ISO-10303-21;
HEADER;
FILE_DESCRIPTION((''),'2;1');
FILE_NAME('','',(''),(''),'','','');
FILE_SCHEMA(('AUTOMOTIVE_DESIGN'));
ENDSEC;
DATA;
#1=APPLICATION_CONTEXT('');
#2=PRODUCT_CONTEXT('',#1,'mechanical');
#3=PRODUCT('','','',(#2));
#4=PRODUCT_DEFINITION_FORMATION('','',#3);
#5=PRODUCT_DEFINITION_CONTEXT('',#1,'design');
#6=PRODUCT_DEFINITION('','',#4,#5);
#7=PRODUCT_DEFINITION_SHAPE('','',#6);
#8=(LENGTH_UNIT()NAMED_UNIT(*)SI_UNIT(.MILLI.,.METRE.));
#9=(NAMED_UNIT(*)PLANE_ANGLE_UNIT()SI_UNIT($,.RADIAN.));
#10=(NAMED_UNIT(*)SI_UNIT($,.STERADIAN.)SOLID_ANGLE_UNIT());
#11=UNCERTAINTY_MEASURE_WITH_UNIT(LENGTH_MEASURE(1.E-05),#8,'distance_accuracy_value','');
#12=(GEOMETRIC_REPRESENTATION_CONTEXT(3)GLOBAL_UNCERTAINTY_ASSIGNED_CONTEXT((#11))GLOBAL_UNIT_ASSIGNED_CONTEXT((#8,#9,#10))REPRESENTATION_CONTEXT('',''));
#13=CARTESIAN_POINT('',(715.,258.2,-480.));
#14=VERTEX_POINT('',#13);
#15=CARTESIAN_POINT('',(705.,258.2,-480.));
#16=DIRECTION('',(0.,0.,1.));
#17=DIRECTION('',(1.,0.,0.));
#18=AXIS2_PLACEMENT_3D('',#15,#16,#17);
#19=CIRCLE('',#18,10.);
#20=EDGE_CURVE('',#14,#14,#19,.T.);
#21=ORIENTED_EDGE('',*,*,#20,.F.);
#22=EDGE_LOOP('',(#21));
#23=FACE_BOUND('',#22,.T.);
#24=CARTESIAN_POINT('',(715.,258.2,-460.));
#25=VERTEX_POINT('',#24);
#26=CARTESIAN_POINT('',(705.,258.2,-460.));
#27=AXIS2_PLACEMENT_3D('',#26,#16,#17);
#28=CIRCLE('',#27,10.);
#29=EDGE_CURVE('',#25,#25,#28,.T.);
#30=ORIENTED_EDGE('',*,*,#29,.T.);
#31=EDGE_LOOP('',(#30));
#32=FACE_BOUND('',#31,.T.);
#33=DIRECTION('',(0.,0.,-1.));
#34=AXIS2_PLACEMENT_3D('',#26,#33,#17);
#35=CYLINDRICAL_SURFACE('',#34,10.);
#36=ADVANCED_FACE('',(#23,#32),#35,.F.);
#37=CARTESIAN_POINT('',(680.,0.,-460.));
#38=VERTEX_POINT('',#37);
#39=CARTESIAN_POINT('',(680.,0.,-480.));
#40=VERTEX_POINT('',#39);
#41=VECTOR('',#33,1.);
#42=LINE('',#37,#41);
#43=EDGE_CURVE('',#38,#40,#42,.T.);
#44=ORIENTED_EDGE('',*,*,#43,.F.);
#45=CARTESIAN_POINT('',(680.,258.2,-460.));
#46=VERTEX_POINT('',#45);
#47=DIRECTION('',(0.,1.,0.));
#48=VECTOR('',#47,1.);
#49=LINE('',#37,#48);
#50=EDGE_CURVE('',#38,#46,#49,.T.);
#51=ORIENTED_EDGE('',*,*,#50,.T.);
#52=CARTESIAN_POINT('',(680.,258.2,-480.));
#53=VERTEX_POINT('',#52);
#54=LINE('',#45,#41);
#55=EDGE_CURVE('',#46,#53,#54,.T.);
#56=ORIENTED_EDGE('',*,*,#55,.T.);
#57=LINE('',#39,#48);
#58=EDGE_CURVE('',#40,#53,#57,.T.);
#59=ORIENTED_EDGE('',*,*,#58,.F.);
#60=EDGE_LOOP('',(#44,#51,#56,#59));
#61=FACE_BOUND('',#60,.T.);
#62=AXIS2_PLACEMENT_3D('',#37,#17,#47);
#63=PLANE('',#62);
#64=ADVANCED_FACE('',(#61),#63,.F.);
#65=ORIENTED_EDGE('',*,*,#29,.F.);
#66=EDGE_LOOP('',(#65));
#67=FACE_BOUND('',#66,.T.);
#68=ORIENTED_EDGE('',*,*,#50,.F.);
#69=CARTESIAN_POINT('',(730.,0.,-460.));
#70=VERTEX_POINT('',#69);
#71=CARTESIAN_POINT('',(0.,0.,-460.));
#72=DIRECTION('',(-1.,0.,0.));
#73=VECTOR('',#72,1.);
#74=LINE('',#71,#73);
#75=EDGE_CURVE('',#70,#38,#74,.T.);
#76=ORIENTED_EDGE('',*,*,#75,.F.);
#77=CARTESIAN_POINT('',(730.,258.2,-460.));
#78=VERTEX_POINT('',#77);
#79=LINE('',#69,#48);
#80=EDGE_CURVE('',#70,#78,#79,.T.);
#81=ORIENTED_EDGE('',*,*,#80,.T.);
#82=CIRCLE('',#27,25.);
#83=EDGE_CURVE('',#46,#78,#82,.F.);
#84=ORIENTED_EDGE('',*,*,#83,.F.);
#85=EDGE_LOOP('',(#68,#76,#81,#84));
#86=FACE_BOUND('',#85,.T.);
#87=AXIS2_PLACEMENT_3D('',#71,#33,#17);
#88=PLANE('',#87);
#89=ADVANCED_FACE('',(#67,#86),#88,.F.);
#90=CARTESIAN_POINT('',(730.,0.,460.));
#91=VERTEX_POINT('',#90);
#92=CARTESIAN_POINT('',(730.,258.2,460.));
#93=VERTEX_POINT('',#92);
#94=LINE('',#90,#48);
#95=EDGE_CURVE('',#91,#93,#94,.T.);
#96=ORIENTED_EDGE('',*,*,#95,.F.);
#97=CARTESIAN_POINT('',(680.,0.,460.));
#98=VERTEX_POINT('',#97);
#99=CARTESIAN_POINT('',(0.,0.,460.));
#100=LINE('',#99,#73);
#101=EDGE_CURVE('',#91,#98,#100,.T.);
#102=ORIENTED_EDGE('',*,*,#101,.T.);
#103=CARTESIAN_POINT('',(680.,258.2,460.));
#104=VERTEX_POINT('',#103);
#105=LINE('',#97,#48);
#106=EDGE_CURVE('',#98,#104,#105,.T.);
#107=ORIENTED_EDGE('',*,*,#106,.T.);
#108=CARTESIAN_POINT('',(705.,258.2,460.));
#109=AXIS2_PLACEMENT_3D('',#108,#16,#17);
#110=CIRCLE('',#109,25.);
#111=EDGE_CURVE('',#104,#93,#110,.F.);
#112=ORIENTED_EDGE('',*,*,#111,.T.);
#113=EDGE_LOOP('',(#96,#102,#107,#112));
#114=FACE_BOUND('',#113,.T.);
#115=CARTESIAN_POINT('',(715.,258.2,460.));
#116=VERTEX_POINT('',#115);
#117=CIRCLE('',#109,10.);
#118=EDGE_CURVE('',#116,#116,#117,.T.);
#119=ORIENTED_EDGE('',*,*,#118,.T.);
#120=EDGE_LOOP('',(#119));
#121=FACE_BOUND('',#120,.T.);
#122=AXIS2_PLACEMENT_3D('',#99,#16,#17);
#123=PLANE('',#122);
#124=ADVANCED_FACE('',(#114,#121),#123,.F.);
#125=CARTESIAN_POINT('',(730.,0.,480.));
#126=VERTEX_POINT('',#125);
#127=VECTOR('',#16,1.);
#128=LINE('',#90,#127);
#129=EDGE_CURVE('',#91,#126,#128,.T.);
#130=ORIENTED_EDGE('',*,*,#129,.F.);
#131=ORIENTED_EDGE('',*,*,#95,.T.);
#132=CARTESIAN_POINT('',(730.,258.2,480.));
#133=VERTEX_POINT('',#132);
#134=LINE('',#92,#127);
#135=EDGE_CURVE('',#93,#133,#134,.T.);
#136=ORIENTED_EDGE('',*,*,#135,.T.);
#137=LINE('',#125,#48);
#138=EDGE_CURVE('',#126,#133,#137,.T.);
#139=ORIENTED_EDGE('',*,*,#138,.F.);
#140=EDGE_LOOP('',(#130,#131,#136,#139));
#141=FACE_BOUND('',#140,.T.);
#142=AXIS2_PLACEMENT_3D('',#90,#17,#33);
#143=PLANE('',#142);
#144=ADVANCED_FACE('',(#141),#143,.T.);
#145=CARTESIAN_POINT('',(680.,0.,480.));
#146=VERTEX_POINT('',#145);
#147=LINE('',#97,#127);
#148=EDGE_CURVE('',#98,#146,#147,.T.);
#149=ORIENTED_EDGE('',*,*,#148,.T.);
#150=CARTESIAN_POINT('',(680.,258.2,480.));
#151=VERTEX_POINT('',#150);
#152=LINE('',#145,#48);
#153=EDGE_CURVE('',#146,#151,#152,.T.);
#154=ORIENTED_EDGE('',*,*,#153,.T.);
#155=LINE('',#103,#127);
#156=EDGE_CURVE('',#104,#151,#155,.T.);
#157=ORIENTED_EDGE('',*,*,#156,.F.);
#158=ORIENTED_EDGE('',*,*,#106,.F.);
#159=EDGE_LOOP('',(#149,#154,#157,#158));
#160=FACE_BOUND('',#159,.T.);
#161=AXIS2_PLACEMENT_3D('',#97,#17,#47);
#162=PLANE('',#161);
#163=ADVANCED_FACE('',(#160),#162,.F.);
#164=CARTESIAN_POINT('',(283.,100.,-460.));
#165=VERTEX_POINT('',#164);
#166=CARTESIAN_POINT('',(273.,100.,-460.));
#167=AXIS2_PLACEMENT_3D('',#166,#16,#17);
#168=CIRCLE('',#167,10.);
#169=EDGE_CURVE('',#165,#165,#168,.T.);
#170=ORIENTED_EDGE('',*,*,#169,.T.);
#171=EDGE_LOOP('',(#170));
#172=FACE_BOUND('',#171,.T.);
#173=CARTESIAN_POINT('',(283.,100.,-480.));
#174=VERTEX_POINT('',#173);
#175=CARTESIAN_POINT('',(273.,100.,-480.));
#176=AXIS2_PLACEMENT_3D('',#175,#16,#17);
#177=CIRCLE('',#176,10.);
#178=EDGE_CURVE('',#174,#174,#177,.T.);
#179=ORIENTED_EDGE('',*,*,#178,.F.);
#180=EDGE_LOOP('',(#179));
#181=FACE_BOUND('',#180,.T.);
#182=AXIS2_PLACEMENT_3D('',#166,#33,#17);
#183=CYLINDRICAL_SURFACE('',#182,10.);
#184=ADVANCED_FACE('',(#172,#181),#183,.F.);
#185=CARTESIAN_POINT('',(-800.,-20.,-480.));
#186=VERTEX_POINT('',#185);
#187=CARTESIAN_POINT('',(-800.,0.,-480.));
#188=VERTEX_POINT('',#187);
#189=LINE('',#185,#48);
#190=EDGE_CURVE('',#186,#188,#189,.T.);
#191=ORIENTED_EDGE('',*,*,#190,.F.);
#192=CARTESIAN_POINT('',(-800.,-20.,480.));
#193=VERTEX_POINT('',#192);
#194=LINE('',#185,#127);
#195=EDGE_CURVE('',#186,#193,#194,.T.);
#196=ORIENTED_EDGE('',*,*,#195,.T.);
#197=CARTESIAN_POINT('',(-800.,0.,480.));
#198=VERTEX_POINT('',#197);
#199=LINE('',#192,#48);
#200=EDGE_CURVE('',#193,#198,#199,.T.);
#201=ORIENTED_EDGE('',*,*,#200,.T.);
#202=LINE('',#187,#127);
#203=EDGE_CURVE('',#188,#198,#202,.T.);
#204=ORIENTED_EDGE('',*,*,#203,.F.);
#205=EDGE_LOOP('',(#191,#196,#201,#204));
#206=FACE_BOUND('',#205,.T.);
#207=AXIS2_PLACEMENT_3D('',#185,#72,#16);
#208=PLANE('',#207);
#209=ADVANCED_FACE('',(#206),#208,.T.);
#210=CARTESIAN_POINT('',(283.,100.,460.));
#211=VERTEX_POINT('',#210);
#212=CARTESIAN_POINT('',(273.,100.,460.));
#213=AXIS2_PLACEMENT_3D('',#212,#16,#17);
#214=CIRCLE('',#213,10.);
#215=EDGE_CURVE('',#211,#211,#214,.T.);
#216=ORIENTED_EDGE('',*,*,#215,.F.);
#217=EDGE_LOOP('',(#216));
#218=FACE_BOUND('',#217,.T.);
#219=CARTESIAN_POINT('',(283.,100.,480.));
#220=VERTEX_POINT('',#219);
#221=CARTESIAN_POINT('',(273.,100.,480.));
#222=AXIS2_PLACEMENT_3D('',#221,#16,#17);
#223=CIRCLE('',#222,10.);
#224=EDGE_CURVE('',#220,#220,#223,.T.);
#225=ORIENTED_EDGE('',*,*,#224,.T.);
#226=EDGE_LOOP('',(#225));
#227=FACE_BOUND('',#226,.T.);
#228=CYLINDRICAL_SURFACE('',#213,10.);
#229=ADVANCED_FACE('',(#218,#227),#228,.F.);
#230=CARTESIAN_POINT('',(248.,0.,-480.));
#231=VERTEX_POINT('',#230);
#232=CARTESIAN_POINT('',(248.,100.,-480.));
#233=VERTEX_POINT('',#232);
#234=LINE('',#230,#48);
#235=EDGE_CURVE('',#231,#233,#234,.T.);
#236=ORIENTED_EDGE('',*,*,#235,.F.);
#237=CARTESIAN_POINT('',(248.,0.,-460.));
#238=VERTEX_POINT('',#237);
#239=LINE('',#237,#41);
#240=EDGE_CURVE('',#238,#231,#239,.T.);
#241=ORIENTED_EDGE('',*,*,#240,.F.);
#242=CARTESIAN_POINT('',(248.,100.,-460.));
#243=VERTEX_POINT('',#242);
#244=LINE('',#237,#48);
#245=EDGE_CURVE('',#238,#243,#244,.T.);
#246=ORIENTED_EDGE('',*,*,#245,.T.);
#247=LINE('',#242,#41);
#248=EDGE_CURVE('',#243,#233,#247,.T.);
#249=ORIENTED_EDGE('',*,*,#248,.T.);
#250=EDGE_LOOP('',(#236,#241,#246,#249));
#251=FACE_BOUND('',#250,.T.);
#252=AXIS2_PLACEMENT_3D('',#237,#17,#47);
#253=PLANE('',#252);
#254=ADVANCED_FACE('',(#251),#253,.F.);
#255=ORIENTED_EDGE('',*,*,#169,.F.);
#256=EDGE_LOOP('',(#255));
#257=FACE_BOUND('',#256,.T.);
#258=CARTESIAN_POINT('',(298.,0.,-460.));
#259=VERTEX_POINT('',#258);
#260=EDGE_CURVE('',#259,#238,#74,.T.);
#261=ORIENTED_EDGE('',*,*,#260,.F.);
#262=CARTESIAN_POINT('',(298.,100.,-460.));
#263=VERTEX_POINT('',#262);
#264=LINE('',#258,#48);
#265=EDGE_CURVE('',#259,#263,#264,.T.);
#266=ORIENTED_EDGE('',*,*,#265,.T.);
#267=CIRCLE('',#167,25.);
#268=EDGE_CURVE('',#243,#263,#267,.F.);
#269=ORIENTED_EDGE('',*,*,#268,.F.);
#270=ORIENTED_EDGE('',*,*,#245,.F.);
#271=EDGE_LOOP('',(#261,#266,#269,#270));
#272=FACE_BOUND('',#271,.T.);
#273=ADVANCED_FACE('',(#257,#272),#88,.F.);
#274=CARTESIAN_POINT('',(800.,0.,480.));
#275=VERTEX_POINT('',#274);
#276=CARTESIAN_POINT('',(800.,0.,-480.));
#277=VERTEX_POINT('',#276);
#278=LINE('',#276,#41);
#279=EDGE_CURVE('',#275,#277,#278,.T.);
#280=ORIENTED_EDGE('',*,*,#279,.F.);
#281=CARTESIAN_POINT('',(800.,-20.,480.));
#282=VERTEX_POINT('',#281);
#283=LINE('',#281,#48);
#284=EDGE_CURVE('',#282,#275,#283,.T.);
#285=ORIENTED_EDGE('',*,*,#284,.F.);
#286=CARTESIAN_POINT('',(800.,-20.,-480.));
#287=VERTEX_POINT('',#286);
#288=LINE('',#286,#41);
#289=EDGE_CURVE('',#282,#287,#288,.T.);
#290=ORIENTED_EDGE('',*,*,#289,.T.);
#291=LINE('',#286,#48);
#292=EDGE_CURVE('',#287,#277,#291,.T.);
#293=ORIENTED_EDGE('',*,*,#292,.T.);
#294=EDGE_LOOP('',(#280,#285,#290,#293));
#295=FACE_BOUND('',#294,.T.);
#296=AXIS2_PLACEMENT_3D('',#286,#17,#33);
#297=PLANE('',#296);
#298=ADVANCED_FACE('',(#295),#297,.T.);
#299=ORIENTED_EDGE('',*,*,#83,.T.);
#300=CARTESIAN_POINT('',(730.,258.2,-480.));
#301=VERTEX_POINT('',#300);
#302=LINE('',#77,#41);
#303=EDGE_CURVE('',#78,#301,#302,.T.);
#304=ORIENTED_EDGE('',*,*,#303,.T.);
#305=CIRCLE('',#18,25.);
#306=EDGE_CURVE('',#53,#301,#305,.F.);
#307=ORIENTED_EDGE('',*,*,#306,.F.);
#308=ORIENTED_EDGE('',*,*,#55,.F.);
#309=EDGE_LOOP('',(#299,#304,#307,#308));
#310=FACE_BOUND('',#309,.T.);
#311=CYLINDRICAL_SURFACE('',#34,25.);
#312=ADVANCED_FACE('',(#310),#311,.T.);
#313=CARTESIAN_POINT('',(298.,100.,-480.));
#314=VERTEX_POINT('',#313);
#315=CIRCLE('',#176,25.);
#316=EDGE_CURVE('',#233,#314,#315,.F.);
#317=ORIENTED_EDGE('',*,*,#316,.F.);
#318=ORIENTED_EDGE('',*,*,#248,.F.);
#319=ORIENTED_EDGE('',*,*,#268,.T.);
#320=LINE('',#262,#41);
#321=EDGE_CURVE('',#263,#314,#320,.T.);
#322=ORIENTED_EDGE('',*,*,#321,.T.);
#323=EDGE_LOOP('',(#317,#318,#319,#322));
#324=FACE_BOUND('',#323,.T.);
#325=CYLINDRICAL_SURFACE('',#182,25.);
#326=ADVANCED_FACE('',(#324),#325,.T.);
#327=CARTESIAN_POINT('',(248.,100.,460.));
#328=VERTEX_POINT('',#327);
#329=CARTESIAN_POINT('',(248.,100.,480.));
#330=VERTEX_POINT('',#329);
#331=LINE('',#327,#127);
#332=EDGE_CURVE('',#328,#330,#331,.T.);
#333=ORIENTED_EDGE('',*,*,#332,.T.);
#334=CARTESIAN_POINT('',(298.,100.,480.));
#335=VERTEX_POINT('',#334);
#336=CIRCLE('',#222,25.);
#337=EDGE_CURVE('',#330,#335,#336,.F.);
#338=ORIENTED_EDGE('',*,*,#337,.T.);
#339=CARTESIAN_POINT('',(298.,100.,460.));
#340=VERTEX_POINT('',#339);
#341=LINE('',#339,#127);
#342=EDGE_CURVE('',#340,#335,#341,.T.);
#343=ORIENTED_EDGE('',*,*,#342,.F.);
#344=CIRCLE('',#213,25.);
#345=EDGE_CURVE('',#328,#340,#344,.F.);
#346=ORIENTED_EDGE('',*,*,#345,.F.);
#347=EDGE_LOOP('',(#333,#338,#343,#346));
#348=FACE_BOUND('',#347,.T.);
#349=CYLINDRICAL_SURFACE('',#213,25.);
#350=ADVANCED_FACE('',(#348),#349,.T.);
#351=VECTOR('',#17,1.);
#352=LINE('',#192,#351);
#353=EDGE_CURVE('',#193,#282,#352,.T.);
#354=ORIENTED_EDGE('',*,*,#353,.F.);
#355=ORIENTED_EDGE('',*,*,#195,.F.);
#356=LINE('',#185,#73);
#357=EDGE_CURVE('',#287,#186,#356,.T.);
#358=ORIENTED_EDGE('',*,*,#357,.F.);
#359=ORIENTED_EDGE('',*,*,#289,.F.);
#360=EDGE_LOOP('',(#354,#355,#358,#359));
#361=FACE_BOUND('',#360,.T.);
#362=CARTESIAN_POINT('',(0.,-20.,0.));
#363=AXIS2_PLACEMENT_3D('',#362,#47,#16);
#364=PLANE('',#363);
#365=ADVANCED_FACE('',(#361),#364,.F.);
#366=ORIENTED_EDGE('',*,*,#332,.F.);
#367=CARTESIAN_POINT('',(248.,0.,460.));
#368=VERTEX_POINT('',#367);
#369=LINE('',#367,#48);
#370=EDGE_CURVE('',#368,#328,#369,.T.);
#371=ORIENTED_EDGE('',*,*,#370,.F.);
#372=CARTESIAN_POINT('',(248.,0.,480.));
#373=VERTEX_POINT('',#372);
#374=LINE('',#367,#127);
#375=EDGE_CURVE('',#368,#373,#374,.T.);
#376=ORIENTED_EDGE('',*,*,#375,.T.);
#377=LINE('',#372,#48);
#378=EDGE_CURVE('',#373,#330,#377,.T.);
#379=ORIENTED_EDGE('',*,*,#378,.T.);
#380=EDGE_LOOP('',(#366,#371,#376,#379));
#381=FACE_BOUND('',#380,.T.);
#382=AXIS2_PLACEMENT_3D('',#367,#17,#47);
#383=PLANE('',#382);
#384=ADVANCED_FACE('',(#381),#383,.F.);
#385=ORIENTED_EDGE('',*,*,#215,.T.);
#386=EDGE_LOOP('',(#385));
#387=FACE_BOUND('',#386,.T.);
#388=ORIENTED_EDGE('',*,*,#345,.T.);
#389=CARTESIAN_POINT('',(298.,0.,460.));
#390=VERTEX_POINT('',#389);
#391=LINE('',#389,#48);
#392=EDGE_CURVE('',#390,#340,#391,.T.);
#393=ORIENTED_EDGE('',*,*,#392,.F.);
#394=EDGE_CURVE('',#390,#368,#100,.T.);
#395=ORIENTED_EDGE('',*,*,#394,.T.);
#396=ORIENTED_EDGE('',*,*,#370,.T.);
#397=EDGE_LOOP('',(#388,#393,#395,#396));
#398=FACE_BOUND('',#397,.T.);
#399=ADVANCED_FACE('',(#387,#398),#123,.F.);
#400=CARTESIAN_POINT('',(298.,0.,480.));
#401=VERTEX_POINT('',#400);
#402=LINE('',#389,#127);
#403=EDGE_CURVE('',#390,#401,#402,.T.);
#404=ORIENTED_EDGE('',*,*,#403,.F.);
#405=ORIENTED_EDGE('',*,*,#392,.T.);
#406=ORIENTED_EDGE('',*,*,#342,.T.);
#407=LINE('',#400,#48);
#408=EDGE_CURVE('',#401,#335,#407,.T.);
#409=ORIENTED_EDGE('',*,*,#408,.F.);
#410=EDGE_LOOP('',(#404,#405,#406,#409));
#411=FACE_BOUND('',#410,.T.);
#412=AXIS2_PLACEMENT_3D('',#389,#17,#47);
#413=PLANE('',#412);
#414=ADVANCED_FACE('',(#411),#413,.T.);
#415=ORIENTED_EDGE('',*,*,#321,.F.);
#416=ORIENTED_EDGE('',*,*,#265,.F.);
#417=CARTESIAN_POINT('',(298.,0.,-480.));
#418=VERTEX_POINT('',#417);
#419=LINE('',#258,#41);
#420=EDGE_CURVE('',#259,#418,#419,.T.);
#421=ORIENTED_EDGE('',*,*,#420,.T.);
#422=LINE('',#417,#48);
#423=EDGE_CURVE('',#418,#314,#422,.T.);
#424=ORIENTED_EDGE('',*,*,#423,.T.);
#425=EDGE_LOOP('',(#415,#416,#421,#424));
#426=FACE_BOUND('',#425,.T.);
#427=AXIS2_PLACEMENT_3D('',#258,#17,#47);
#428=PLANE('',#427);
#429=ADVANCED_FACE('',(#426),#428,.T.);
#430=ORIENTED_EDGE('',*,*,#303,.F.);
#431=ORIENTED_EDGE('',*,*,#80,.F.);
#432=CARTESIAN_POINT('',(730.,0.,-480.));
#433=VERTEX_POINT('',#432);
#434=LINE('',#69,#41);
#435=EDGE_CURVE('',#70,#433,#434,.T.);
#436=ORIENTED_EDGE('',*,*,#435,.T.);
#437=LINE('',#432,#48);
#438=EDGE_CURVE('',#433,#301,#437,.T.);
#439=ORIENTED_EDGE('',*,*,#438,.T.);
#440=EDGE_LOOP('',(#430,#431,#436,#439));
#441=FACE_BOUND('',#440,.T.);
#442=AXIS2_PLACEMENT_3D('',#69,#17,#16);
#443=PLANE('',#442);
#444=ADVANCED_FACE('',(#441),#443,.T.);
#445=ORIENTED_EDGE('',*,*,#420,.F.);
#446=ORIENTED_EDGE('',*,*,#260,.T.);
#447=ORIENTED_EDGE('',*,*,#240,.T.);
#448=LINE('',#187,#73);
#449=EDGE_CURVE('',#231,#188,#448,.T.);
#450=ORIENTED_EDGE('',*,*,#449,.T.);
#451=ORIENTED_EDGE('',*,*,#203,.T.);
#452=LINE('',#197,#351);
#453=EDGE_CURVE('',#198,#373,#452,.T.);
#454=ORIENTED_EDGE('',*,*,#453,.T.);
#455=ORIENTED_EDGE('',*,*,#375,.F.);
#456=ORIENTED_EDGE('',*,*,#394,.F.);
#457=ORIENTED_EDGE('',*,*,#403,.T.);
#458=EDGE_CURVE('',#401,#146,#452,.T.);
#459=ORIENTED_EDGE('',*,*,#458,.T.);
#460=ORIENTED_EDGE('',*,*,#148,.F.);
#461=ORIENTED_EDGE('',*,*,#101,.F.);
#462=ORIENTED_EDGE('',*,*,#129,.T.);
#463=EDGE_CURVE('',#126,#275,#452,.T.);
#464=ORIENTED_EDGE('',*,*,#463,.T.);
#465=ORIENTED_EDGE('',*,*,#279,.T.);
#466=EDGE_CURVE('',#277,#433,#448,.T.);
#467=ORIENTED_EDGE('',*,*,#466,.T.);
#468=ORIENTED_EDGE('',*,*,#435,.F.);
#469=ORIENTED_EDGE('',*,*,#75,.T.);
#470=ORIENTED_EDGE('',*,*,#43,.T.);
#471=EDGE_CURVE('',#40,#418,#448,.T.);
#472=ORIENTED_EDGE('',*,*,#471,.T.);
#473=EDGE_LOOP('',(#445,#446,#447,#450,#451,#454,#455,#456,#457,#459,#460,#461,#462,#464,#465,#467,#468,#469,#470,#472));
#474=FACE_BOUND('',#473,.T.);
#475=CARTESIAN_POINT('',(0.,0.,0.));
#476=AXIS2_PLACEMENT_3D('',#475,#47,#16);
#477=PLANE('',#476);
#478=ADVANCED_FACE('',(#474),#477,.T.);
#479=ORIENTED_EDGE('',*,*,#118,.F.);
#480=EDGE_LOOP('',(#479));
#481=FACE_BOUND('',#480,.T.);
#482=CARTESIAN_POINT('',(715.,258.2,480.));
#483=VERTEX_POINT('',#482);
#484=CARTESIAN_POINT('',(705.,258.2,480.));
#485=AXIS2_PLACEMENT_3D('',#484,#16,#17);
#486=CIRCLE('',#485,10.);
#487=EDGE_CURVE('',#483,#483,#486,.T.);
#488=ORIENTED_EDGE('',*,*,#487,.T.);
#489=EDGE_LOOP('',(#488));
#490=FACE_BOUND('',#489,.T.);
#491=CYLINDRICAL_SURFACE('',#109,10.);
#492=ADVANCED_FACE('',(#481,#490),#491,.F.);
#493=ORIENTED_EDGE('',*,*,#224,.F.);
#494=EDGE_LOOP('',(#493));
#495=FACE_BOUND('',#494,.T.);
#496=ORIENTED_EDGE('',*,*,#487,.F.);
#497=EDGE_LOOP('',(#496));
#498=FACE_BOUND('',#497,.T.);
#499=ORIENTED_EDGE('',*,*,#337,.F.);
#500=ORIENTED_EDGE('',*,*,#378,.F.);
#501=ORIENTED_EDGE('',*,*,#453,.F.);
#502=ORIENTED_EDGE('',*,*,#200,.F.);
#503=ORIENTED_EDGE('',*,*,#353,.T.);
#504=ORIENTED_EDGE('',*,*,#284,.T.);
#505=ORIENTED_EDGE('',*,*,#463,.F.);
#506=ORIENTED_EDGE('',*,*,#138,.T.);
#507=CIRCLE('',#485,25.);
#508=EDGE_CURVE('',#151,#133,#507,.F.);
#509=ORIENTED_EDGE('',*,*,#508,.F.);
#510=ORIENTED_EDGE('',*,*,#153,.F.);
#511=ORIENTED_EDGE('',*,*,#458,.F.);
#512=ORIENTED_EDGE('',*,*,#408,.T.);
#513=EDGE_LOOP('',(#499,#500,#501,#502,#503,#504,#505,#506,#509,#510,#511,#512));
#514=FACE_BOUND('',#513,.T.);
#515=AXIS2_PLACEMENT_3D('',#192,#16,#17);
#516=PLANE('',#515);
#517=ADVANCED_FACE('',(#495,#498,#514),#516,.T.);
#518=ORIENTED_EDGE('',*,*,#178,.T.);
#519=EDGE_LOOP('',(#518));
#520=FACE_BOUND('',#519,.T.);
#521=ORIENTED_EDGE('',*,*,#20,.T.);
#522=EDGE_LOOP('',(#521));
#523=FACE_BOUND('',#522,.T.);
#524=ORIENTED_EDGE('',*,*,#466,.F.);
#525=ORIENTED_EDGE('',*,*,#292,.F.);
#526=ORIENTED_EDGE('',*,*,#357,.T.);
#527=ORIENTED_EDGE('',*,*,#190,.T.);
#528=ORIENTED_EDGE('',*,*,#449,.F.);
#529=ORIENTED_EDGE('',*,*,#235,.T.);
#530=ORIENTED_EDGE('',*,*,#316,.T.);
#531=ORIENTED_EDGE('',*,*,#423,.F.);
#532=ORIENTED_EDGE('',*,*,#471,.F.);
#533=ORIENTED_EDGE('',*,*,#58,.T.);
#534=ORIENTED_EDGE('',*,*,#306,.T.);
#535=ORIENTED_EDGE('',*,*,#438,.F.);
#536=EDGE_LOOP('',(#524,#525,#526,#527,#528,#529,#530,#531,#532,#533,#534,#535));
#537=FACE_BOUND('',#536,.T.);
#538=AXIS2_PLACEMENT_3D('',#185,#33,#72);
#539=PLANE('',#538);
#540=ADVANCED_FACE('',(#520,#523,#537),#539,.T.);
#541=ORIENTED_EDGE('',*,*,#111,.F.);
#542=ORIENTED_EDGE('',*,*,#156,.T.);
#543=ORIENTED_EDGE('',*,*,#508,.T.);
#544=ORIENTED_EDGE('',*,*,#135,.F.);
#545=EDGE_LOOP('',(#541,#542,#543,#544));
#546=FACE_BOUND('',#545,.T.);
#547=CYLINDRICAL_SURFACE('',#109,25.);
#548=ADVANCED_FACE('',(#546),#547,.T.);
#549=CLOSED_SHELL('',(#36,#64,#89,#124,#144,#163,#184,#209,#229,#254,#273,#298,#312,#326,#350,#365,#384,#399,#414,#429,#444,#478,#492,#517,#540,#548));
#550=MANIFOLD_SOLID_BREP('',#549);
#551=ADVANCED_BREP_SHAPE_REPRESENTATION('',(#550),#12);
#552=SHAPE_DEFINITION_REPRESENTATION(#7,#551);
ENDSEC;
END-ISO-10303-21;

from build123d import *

# Parameters (mm, degrees)
SKETCH1_W           = 1600
SKETCH1_H           = 960
BOSS_EXTRUDE1_DEPTH = 20
SKETCH2_R           = 10
BOSS_EXTRUDE2_DEPTH = 20


with BuildPart() as part:
    # Sketch1 → Boss-Extrude1 (new body)
    with BuildSketch(Plane(origin=(0, 0, 0), x_dir=(1, 0, 0), z_dir=(0, 1, 0))):
        Rectangle(SKETCH1_W, SKETCH1_H)
    extrude(amount=-BOSS_EXTRUDE1_DEPTH)

    # Sketch2 → Boss-Extrude2 (add)
    with BuildSketch(Plane.XY.offset(480)):
        with BuildLine():
            Line((248, 0), (298, 0))
            Line((298, 0), (298, 100))
            ThreePointArc((298, 100), (273, 125), (248, 100))
            Line((248, 100), (248, 0))
        make_face()
        with Locations((273, 100)):
            Circle(SKETCH2_R, mode=Mode.SUBTRACT)
        with BuildLine():
            Line((680, 258.2), (680, 0))
            Line((680, 0), (730, 0))
            Line((730, 0), (730, 258.2))
            ThreePointArc((730, 258.2), (705, 283.2), (680, 258.2))
        make_face()
        with Locations((705, 258.2)):
            Circle(SKETCH2_R, mode=Mode.SUBTRACT)
    extrude(amount=-BOSS_EXTRUDE2_DEPTH)

    # Mirror1: part across plane


with BuildPart() as part_1:
    add(part.part)
    add(part.part.mirror(Plane.XY))


solid = part_1.part
